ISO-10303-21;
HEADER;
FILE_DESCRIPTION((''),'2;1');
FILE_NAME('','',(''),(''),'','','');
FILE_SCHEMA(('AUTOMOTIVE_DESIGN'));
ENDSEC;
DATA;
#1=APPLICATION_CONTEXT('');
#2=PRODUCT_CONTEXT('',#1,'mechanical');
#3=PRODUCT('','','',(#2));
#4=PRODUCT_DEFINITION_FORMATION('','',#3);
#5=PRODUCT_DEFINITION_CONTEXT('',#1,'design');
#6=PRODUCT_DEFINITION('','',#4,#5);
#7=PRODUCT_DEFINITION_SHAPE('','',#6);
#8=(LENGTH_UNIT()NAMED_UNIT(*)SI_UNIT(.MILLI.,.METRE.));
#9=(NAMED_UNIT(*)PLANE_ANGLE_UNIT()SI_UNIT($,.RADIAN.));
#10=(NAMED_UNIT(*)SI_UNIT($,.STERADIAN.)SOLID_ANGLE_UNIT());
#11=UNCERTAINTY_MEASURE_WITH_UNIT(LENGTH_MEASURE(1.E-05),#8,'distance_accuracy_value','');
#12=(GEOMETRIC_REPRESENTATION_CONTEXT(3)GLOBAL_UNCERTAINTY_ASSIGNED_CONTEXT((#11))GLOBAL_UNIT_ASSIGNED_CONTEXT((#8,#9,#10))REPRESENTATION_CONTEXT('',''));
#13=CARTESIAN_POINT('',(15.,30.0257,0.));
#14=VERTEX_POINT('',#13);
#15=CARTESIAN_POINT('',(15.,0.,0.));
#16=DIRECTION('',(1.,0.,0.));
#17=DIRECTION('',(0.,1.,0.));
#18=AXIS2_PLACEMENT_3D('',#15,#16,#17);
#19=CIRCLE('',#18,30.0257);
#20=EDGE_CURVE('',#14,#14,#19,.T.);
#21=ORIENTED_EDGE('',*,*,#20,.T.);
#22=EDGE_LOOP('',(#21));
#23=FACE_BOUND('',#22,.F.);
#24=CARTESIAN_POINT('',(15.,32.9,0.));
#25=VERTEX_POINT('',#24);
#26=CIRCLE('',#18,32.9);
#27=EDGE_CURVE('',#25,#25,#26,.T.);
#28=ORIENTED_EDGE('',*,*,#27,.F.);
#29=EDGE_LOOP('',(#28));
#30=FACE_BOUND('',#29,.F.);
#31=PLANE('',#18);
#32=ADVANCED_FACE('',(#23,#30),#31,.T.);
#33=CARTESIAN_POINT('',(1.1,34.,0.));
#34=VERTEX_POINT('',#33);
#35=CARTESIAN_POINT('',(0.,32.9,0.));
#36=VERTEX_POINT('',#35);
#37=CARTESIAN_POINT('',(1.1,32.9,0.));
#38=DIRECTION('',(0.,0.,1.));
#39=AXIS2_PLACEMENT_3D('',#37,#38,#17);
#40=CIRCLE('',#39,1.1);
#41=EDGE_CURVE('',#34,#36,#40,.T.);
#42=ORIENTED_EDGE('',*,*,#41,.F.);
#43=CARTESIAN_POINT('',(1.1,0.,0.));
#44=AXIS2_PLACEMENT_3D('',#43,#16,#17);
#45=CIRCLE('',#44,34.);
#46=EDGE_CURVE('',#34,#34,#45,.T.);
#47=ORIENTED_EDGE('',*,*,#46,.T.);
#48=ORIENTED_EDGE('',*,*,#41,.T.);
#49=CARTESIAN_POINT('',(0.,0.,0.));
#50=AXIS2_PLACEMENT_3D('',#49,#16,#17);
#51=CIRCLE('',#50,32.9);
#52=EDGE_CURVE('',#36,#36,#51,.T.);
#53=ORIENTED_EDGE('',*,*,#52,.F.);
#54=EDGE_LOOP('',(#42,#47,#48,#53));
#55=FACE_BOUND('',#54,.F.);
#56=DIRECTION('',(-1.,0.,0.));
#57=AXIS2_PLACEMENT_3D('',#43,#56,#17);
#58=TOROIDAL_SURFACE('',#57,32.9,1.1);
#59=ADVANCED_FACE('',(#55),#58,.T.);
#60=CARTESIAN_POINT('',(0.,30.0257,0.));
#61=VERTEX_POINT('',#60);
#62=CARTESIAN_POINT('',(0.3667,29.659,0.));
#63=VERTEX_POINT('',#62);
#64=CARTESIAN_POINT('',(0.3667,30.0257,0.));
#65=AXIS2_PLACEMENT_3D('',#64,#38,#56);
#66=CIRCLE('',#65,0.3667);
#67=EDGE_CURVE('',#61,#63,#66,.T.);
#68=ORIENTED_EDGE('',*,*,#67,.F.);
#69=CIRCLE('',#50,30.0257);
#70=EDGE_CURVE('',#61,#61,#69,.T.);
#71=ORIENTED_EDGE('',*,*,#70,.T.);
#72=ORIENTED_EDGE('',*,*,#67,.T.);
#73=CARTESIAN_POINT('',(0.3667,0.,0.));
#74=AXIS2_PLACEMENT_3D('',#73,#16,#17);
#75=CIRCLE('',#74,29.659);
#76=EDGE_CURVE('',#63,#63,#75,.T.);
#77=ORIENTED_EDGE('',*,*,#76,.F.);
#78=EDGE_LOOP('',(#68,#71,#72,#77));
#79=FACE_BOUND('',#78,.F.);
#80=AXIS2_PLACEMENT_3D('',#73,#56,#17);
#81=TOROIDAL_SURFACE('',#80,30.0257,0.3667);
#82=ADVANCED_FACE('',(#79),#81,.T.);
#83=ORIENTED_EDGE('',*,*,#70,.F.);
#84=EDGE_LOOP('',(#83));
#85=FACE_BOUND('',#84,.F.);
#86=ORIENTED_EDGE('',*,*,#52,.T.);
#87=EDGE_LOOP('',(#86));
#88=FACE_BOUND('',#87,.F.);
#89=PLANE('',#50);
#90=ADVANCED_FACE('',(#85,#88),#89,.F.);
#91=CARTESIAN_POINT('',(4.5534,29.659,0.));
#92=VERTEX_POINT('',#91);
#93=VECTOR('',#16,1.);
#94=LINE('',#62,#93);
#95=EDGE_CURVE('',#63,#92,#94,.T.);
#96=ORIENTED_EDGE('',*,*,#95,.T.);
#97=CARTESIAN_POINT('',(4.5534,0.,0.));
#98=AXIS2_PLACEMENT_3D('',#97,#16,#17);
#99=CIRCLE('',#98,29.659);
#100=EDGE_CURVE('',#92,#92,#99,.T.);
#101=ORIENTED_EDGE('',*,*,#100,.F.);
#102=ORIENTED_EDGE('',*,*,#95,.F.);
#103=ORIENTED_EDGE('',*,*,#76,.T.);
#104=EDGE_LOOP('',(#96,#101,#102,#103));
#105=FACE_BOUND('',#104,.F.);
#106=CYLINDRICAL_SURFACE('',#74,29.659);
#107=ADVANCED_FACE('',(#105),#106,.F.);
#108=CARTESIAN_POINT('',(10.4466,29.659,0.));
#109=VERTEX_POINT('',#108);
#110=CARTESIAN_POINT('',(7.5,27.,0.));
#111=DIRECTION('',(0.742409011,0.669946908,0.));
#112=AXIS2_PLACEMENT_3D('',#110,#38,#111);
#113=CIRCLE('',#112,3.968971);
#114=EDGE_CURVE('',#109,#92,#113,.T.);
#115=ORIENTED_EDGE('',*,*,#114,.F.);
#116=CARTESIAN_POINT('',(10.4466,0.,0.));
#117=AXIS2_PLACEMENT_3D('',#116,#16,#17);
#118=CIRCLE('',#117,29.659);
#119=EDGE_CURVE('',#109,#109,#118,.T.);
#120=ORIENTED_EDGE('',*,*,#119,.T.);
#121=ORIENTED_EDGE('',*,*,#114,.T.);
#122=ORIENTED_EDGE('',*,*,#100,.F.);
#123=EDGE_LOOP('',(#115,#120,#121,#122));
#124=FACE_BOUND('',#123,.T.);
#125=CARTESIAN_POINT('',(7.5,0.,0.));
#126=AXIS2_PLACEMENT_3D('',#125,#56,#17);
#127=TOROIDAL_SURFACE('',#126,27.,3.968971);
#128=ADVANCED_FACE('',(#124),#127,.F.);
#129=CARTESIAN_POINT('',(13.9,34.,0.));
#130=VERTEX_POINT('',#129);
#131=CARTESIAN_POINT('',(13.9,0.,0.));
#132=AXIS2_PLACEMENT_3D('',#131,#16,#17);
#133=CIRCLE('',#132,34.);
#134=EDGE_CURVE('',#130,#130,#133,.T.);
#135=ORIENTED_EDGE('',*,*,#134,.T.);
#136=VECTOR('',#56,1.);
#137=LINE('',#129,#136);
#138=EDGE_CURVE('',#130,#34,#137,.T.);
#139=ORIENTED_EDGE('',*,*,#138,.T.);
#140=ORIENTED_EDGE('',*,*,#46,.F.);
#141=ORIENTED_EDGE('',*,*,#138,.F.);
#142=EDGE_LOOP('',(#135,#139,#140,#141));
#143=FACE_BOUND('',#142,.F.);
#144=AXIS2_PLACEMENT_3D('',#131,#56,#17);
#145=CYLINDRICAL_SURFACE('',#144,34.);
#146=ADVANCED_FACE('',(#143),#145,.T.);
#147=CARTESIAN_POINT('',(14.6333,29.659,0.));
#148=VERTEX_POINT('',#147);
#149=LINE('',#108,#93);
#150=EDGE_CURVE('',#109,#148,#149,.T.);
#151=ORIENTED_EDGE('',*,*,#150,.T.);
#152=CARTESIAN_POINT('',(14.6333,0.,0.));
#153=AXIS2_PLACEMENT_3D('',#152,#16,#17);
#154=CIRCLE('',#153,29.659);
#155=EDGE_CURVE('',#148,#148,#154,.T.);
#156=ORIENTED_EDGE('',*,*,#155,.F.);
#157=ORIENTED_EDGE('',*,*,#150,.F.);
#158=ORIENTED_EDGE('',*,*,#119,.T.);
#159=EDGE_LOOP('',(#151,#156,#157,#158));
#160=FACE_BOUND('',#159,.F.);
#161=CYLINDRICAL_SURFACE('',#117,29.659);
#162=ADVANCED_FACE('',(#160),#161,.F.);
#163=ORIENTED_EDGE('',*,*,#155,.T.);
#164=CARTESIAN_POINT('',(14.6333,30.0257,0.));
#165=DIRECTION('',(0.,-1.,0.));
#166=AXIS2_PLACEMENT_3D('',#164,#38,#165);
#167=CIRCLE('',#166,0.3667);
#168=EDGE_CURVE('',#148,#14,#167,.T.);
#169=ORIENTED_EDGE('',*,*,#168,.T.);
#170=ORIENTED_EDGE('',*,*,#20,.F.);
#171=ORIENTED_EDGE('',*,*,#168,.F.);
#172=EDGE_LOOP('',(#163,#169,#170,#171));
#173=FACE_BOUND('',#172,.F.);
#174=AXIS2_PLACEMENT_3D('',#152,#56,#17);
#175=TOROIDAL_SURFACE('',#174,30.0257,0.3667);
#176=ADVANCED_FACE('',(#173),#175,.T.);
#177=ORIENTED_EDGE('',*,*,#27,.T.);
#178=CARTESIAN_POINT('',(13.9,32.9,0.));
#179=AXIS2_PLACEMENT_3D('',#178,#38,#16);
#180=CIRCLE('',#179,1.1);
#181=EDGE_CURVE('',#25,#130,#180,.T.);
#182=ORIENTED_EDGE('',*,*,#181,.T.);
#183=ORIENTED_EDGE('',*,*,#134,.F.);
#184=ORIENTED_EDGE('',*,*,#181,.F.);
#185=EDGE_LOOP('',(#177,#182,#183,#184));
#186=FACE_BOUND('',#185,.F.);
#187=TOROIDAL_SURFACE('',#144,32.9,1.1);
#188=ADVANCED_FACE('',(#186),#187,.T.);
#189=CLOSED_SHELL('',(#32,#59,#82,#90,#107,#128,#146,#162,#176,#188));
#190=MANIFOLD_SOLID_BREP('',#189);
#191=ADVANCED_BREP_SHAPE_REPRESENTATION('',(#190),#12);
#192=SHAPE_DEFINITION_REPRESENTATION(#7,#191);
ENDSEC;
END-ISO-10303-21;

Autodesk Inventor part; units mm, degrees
ref_plane "YZ Plane" through (0, 0, 0) normal (1, 0, 0) x (0, 1, 0)
ref_plane "XZ Plane" through (0, 0, 0) normal (0, 1, 0) x (-1, 0, 0)
ref_plane "XY Plane" through (0, 0, 0) normal (0, 0, 1) x (1, 0, 0)
sketch "Sketch_1" plane through (0, 0, 0) normal (0, 0, 1) x (1, 0, 0)
  line L0 (50, 0) -> (-50, 0)
  line L1 (0, 32.9) -> (0, 30.0257)
  arc A0 (0, 30.0257) -> (0.3667, 29.659) centre (0.3667, 30.0257) ccw
  line L2 (0.3667, 29.659) -> (4.5534, 29.659)
  arc A1 (10.4466, 29.659) -> (4.5534, 29.659) centre (7.5, 27) ccw
  line L3 (10.4466, 29.659) -> (14.6333, 29.659)
  arc A2 (14.6333, 29.659) -> (15, 30.0257) centre (14.6333, 30.0257) ccw
  line L4 (15, 30.0257) -> (15, 32.9)
  arc A3 (15, 32.9) -> (13.9, 34) centre (13.9, 32.9) ccw
  line L5 (13.9, 34) -> (1.1, 34)
  arc A4 (1.1, 34) -> (0, 32.9) centre (1.1, 32.9) ccw
revolve "Revolution1" add sketch "Sketch_1" angle 360 about axis through (50, 0, 0) along (1, 0, 0)
properties part number "6008_PART2"
